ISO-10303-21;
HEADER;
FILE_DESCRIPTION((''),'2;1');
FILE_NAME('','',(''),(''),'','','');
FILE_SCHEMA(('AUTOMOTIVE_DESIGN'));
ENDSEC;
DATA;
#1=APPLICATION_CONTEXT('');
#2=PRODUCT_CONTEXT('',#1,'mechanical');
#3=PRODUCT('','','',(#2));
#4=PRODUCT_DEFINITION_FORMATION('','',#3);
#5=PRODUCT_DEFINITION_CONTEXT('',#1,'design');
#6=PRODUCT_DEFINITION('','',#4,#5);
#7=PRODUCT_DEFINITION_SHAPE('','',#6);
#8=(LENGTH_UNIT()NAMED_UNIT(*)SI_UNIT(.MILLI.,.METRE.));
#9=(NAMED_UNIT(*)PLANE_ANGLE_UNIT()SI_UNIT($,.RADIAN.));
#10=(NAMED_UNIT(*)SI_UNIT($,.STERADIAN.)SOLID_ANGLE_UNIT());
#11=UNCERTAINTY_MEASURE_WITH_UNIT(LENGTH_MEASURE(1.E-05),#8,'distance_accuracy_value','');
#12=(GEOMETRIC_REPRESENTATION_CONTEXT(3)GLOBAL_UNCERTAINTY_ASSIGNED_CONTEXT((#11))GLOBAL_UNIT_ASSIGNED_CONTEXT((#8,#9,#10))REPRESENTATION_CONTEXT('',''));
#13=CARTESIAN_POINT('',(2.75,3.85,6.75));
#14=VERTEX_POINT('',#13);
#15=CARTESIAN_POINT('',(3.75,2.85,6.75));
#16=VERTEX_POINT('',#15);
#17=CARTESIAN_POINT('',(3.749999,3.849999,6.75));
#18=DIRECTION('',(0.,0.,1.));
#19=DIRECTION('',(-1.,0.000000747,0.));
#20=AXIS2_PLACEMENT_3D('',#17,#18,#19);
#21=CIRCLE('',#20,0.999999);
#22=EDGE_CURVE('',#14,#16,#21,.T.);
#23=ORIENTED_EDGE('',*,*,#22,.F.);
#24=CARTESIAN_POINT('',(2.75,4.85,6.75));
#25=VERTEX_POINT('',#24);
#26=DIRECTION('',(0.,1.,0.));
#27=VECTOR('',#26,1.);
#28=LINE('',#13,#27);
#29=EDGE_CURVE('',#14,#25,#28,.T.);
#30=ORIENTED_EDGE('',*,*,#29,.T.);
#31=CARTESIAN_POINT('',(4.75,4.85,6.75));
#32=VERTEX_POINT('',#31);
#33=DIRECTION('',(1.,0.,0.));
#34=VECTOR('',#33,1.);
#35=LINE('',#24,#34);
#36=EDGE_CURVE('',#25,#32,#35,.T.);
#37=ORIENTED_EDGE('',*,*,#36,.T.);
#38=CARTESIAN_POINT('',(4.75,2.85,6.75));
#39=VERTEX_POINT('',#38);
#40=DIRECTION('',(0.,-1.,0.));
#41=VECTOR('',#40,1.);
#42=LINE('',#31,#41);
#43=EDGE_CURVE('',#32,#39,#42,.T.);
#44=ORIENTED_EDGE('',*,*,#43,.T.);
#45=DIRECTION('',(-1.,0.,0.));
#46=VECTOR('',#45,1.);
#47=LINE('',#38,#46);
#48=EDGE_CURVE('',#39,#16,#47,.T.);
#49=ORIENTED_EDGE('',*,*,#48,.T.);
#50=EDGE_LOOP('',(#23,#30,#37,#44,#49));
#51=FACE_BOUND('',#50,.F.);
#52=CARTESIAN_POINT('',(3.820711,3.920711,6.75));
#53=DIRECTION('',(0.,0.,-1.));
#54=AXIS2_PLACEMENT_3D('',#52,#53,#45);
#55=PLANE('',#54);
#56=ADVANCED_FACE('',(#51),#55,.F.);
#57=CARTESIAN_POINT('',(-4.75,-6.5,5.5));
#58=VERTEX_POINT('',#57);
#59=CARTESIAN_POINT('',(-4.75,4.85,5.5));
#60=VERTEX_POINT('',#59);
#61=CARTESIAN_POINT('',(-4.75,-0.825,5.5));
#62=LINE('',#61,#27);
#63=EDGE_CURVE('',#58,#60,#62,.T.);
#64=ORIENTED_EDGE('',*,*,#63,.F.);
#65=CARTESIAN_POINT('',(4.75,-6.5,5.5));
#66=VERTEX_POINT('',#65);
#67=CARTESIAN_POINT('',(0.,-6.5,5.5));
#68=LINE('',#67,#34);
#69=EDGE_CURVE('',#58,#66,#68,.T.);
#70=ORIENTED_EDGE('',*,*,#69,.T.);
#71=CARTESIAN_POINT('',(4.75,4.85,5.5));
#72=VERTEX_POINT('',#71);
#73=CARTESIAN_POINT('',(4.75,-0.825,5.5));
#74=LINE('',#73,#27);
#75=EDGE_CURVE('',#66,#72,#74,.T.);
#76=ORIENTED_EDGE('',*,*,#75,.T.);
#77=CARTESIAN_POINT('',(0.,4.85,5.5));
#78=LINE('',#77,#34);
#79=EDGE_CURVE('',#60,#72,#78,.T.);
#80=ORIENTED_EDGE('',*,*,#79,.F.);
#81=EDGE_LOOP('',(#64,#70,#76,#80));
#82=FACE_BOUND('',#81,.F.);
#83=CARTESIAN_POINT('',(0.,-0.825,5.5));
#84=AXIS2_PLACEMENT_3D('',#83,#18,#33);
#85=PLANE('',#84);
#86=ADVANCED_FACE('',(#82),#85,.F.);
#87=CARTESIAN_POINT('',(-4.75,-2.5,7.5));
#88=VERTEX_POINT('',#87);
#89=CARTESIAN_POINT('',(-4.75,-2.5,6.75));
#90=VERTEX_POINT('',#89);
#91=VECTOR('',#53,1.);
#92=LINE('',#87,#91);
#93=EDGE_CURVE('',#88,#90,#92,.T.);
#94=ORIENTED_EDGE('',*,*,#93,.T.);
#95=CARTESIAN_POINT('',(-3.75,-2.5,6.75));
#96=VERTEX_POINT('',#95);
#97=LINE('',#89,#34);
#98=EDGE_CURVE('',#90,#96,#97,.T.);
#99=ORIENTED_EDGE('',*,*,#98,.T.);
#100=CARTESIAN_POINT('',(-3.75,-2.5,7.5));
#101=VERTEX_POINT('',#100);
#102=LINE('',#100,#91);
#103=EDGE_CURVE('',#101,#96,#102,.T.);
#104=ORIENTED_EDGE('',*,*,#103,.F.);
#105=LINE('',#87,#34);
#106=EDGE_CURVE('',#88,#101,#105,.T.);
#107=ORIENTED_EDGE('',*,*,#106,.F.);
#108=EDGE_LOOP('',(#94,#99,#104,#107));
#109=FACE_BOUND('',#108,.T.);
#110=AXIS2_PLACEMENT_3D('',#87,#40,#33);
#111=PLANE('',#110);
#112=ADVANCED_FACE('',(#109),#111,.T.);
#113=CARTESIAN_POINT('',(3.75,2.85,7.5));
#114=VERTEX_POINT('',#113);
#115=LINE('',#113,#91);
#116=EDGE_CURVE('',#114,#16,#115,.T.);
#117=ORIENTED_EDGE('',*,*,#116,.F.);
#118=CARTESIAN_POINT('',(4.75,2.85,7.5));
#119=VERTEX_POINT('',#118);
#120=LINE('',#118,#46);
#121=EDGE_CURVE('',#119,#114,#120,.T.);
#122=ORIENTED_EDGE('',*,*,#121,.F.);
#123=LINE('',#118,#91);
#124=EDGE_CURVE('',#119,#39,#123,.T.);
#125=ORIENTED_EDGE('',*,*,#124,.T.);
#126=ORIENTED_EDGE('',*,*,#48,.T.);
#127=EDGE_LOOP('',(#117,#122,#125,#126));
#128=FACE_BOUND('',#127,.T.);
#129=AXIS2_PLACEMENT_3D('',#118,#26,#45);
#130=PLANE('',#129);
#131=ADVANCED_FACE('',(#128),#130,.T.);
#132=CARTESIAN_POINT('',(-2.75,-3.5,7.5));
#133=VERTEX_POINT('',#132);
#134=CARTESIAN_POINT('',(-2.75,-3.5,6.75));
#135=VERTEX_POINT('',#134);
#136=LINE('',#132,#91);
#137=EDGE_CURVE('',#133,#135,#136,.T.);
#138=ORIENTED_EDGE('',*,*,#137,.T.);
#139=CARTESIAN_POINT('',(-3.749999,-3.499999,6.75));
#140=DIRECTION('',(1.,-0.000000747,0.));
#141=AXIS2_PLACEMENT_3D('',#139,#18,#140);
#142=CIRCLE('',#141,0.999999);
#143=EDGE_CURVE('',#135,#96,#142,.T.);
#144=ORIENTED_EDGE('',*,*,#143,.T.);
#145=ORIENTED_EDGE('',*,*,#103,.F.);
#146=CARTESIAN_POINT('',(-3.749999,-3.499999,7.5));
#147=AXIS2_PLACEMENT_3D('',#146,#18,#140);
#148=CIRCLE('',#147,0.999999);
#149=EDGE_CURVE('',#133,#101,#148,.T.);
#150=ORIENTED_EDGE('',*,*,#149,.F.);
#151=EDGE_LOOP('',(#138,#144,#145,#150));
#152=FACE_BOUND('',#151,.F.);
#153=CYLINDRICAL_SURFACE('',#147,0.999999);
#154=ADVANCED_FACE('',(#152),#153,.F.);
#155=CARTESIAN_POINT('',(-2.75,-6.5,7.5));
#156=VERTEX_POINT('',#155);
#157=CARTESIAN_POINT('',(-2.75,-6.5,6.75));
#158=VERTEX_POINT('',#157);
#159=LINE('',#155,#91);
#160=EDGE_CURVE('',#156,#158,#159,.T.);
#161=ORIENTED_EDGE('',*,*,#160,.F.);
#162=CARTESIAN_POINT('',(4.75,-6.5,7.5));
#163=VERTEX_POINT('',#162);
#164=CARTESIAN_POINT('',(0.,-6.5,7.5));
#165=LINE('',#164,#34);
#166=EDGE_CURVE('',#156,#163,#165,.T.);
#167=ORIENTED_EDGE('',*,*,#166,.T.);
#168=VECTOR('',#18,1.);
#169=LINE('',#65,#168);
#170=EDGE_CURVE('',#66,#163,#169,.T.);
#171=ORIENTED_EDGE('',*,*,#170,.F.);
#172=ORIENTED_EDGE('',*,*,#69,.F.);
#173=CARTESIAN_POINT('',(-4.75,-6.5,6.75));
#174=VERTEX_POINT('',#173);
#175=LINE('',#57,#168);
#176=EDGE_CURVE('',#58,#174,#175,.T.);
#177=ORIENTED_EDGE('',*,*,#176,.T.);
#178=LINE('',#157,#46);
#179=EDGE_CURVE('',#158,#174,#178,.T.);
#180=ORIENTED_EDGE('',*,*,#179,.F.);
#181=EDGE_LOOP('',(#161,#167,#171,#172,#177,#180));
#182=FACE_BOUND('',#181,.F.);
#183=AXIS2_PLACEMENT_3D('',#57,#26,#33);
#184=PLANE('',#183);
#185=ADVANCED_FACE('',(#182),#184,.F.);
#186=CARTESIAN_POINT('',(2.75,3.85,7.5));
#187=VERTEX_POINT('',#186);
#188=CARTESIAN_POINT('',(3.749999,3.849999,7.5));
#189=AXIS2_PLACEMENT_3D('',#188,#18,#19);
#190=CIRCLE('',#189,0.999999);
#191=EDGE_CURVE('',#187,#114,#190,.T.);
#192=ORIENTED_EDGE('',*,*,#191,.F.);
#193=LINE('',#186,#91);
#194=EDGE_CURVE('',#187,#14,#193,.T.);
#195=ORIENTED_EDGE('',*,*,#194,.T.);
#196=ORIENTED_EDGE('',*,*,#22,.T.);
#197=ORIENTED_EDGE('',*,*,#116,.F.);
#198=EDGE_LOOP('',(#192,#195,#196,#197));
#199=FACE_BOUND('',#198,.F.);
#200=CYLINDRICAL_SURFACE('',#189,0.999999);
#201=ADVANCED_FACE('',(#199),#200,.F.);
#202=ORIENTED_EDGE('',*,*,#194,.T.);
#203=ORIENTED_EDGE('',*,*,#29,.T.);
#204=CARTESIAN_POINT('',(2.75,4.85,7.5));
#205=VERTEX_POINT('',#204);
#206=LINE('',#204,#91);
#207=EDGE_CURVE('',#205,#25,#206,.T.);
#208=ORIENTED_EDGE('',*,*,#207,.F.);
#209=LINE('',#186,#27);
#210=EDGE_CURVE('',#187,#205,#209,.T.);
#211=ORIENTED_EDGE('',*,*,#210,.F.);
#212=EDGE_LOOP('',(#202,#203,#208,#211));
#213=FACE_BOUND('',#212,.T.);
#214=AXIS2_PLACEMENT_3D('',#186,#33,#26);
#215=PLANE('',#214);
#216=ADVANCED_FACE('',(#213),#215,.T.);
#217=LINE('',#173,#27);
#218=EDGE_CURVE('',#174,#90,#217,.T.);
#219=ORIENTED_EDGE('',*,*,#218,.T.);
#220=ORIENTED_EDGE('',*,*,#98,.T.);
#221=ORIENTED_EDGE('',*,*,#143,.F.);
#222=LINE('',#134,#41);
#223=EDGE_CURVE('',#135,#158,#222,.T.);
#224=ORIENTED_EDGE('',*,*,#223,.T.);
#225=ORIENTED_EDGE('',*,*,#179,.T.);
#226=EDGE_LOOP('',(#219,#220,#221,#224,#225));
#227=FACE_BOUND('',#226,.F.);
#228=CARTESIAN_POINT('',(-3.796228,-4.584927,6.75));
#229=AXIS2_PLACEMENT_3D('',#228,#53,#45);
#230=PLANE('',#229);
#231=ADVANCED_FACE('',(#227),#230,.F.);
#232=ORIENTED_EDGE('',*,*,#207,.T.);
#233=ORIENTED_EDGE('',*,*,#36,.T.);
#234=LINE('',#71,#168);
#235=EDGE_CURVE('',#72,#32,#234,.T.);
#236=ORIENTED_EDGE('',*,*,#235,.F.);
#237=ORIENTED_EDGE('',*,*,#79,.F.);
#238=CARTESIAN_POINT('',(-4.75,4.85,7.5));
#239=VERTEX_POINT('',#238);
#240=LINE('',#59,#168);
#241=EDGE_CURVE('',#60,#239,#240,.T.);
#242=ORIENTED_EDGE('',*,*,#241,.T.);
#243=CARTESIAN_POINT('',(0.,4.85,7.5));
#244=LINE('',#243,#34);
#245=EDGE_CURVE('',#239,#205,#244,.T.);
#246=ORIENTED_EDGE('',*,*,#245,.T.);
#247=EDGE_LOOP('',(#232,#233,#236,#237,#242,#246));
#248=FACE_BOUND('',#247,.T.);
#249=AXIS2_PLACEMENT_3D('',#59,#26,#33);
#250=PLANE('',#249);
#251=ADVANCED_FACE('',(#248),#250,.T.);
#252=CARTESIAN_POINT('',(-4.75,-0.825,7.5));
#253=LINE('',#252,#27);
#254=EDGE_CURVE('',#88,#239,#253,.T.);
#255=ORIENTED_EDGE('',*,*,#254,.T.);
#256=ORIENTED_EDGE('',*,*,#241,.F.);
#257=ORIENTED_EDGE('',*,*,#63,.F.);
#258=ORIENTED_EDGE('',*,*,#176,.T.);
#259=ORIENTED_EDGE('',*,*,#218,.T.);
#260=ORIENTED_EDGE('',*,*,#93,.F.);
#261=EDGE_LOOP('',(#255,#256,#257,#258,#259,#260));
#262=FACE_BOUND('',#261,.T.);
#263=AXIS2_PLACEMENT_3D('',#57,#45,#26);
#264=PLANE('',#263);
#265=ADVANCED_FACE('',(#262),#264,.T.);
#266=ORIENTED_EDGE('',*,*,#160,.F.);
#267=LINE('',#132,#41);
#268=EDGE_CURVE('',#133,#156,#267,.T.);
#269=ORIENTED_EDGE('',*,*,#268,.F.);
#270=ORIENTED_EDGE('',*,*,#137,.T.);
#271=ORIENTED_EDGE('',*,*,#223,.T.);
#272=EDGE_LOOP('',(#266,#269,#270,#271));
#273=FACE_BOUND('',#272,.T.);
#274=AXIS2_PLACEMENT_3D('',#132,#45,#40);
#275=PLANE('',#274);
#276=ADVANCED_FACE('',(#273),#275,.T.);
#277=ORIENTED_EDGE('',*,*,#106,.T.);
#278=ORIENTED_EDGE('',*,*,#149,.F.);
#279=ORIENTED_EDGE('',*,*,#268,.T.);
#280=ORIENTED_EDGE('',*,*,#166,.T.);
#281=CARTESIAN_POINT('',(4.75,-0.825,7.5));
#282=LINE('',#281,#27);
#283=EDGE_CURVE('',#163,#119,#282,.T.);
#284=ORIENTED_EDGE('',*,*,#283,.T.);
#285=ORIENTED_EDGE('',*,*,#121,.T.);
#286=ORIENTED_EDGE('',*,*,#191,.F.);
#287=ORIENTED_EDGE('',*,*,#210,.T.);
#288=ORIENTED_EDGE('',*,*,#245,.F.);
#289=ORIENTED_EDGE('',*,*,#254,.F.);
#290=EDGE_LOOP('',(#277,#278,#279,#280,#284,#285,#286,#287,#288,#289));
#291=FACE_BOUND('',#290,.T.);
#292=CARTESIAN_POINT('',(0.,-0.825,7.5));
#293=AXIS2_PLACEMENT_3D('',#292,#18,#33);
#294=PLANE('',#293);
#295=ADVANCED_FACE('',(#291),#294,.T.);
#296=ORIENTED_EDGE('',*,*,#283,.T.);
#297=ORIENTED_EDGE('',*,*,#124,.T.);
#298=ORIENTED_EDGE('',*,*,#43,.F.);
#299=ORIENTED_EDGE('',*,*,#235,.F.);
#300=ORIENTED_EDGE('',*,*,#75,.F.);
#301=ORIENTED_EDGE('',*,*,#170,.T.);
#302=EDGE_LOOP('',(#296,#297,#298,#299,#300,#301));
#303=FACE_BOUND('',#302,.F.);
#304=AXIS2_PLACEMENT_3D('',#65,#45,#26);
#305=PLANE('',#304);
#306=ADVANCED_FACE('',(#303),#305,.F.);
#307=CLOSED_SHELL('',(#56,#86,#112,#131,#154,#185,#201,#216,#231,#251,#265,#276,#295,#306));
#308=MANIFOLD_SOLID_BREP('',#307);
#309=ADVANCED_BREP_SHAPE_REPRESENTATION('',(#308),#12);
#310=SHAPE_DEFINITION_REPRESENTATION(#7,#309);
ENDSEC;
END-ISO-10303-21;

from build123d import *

# Parameters (mm, degrees)
SKETCH001_W     = 9.5
SKETCH001_H     = 11.35
PAD002_DEPTH    = 2
POCKET_DEPTH    = 0.75
POCKET001_DEPTH = 0.75


with BuildPart() as part:
    # Sketch001 → Pad002 (new body)
    with BuildSketch(Plane.XY.offset(5.5)):
        with Locations((0, -0.825)):
            Rectangle(SKETCH001_W, SKETCH001_H)
    extrude(amount=PAD002_DEPTH)

    # Sketch003 → Pocket (cut)
    with BuildSketch(Plane.XY.offset(7.5)):
        with BuildLine():
            Line((2.75, 4.85), (4.75, 4.85))
            Line((4.75, 4.85), (4.75, 2.85))
            Line((4.75, 2.85), (3.75, 2.85))
            ThreePointArc((2.75, 3.85), (3.042893, 3.142893), (3.75, 2.85))
            Line((2.75, 3.85), (2.75, 4.85))
        make_face()
    extrude(amount=-POCKET_DEPTH, mode=Mode.SUBTRACT)

    # Sketch004 → Pocket001 (cut)
    with BuildSketch(Plane.XY.offset(7.5)):
        with BuildLine():
            Line((-4.75, -2.5), (-3.75, -2.5))
            ThreePointArc((-2.75, -3.5), (-3.042893, -2.792893), (-3.75, -2.5))
            Line((-2.75, -3.5), (-2.75, -6.5))
            Line((-2.75, -6.5), (-4.75, -6.5))
            Line((-4.75, -6.5), (-4.75, -2.5))
        make_face()
    extrude(amount=-POCKET001_DEPTH, mode=Mode.SUBTRACT)


solid = part.part
